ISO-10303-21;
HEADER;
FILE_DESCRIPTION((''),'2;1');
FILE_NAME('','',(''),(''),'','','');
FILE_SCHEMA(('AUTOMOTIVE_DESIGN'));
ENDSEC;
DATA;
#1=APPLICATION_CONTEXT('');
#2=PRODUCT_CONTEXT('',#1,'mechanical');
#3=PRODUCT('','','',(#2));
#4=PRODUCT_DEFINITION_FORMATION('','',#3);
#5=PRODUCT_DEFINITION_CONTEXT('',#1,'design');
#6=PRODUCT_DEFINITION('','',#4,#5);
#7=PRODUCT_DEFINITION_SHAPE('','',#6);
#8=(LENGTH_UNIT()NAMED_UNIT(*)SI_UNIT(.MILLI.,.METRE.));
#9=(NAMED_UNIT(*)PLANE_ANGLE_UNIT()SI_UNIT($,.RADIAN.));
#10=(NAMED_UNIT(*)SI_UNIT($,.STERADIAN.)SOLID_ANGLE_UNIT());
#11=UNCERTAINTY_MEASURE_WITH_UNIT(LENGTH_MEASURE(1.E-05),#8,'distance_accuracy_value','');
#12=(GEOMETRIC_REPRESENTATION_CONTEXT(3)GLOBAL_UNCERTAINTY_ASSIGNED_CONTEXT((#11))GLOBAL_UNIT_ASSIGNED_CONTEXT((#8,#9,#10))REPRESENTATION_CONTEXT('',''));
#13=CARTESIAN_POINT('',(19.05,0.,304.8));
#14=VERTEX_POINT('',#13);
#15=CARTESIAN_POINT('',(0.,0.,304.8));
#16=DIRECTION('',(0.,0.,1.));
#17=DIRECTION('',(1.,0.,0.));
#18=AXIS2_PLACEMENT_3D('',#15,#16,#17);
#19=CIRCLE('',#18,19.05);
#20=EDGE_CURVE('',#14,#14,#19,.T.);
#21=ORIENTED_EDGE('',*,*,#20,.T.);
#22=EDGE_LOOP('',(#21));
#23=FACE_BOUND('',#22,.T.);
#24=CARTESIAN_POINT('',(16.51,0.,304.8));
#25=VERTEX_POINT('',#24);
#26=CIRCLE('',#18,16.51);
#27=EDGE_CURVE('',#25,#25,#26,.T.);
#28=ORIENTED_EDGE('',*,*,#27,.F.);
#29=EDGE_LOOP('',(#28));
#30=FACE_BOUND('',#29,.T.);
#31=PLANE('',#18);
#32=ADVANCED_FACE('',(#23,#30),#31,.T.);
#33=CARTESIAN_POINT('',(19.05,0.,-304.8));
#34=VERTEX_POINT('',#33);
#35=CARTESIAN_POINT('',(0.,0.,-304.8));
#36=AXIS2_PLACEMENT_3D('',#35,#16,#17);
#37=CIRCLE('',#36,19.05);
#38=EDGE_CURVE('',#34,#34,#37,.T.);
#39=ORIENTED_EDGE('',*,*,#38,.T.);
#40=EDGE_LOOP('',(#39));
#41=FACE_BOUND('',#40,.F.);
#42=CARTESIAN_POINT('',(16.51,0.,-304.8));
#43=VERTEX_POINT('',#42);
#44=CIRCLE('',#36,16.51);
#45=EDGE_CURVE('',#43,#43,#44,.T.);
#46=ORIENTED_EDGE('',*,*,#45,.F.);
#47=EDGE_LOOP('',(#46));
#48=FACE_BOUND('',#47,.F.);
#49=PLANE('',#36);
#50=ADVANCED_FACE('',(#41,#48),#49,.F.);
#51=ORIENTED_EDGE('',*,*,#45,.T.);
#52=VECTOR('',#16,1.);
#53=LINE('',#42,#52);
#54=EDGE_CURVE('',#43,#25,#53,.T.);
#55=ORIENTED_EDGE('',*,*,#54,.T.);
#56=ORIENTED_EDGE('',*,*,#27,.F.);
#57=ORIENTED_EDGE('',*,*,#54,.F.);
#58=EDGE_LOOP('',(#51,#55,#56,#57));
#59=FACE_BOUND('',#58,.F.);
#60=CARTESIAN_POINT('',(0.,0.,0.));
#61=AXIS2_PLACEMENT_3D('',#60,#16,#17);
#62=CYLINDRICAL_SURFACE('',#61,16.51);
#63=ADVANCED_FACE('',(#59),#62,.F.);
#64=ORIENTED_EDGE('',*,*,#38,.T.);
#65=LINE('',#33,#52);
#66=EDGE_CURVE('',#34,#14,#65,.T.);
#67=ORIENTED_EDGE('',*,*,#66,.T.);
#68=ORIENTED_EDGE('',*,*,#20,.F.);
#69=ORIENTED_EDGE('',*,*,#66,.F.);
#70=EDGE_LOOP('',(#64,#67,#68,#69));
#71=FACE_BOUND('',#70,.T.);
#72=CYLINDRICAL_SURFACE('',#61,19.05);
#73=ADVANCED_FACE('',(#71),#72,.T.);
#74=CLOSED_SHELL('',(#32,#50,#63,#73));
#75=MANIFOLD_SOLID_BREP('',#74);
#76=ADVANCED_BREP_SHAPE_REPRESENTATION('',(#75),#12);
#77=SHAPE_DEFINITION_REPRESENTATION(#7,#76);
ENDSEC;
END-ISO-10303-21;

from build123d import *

# Parameters (mm, degrees)
F0_R     = 19.05
F1_DEPTH = 304.8
F2_T     = -2.54


with BuildPart() as f1:
    # F0 (on Top) → F1 (new body, symmetric)
    with BuildSketch(Plane.XY):
        Circle(F0_R)
    extrude(amount=F1_DEPTH, both=True)

    # F2
    f2_openings = [f1.faces().sort_by_distance(p)[0] for p in [
        (0, 0, 304.8),
        (0, 0, -304.8),
    ]]
    offset(amount=F2_T, openings=f2_openings)


solid = f1.part
